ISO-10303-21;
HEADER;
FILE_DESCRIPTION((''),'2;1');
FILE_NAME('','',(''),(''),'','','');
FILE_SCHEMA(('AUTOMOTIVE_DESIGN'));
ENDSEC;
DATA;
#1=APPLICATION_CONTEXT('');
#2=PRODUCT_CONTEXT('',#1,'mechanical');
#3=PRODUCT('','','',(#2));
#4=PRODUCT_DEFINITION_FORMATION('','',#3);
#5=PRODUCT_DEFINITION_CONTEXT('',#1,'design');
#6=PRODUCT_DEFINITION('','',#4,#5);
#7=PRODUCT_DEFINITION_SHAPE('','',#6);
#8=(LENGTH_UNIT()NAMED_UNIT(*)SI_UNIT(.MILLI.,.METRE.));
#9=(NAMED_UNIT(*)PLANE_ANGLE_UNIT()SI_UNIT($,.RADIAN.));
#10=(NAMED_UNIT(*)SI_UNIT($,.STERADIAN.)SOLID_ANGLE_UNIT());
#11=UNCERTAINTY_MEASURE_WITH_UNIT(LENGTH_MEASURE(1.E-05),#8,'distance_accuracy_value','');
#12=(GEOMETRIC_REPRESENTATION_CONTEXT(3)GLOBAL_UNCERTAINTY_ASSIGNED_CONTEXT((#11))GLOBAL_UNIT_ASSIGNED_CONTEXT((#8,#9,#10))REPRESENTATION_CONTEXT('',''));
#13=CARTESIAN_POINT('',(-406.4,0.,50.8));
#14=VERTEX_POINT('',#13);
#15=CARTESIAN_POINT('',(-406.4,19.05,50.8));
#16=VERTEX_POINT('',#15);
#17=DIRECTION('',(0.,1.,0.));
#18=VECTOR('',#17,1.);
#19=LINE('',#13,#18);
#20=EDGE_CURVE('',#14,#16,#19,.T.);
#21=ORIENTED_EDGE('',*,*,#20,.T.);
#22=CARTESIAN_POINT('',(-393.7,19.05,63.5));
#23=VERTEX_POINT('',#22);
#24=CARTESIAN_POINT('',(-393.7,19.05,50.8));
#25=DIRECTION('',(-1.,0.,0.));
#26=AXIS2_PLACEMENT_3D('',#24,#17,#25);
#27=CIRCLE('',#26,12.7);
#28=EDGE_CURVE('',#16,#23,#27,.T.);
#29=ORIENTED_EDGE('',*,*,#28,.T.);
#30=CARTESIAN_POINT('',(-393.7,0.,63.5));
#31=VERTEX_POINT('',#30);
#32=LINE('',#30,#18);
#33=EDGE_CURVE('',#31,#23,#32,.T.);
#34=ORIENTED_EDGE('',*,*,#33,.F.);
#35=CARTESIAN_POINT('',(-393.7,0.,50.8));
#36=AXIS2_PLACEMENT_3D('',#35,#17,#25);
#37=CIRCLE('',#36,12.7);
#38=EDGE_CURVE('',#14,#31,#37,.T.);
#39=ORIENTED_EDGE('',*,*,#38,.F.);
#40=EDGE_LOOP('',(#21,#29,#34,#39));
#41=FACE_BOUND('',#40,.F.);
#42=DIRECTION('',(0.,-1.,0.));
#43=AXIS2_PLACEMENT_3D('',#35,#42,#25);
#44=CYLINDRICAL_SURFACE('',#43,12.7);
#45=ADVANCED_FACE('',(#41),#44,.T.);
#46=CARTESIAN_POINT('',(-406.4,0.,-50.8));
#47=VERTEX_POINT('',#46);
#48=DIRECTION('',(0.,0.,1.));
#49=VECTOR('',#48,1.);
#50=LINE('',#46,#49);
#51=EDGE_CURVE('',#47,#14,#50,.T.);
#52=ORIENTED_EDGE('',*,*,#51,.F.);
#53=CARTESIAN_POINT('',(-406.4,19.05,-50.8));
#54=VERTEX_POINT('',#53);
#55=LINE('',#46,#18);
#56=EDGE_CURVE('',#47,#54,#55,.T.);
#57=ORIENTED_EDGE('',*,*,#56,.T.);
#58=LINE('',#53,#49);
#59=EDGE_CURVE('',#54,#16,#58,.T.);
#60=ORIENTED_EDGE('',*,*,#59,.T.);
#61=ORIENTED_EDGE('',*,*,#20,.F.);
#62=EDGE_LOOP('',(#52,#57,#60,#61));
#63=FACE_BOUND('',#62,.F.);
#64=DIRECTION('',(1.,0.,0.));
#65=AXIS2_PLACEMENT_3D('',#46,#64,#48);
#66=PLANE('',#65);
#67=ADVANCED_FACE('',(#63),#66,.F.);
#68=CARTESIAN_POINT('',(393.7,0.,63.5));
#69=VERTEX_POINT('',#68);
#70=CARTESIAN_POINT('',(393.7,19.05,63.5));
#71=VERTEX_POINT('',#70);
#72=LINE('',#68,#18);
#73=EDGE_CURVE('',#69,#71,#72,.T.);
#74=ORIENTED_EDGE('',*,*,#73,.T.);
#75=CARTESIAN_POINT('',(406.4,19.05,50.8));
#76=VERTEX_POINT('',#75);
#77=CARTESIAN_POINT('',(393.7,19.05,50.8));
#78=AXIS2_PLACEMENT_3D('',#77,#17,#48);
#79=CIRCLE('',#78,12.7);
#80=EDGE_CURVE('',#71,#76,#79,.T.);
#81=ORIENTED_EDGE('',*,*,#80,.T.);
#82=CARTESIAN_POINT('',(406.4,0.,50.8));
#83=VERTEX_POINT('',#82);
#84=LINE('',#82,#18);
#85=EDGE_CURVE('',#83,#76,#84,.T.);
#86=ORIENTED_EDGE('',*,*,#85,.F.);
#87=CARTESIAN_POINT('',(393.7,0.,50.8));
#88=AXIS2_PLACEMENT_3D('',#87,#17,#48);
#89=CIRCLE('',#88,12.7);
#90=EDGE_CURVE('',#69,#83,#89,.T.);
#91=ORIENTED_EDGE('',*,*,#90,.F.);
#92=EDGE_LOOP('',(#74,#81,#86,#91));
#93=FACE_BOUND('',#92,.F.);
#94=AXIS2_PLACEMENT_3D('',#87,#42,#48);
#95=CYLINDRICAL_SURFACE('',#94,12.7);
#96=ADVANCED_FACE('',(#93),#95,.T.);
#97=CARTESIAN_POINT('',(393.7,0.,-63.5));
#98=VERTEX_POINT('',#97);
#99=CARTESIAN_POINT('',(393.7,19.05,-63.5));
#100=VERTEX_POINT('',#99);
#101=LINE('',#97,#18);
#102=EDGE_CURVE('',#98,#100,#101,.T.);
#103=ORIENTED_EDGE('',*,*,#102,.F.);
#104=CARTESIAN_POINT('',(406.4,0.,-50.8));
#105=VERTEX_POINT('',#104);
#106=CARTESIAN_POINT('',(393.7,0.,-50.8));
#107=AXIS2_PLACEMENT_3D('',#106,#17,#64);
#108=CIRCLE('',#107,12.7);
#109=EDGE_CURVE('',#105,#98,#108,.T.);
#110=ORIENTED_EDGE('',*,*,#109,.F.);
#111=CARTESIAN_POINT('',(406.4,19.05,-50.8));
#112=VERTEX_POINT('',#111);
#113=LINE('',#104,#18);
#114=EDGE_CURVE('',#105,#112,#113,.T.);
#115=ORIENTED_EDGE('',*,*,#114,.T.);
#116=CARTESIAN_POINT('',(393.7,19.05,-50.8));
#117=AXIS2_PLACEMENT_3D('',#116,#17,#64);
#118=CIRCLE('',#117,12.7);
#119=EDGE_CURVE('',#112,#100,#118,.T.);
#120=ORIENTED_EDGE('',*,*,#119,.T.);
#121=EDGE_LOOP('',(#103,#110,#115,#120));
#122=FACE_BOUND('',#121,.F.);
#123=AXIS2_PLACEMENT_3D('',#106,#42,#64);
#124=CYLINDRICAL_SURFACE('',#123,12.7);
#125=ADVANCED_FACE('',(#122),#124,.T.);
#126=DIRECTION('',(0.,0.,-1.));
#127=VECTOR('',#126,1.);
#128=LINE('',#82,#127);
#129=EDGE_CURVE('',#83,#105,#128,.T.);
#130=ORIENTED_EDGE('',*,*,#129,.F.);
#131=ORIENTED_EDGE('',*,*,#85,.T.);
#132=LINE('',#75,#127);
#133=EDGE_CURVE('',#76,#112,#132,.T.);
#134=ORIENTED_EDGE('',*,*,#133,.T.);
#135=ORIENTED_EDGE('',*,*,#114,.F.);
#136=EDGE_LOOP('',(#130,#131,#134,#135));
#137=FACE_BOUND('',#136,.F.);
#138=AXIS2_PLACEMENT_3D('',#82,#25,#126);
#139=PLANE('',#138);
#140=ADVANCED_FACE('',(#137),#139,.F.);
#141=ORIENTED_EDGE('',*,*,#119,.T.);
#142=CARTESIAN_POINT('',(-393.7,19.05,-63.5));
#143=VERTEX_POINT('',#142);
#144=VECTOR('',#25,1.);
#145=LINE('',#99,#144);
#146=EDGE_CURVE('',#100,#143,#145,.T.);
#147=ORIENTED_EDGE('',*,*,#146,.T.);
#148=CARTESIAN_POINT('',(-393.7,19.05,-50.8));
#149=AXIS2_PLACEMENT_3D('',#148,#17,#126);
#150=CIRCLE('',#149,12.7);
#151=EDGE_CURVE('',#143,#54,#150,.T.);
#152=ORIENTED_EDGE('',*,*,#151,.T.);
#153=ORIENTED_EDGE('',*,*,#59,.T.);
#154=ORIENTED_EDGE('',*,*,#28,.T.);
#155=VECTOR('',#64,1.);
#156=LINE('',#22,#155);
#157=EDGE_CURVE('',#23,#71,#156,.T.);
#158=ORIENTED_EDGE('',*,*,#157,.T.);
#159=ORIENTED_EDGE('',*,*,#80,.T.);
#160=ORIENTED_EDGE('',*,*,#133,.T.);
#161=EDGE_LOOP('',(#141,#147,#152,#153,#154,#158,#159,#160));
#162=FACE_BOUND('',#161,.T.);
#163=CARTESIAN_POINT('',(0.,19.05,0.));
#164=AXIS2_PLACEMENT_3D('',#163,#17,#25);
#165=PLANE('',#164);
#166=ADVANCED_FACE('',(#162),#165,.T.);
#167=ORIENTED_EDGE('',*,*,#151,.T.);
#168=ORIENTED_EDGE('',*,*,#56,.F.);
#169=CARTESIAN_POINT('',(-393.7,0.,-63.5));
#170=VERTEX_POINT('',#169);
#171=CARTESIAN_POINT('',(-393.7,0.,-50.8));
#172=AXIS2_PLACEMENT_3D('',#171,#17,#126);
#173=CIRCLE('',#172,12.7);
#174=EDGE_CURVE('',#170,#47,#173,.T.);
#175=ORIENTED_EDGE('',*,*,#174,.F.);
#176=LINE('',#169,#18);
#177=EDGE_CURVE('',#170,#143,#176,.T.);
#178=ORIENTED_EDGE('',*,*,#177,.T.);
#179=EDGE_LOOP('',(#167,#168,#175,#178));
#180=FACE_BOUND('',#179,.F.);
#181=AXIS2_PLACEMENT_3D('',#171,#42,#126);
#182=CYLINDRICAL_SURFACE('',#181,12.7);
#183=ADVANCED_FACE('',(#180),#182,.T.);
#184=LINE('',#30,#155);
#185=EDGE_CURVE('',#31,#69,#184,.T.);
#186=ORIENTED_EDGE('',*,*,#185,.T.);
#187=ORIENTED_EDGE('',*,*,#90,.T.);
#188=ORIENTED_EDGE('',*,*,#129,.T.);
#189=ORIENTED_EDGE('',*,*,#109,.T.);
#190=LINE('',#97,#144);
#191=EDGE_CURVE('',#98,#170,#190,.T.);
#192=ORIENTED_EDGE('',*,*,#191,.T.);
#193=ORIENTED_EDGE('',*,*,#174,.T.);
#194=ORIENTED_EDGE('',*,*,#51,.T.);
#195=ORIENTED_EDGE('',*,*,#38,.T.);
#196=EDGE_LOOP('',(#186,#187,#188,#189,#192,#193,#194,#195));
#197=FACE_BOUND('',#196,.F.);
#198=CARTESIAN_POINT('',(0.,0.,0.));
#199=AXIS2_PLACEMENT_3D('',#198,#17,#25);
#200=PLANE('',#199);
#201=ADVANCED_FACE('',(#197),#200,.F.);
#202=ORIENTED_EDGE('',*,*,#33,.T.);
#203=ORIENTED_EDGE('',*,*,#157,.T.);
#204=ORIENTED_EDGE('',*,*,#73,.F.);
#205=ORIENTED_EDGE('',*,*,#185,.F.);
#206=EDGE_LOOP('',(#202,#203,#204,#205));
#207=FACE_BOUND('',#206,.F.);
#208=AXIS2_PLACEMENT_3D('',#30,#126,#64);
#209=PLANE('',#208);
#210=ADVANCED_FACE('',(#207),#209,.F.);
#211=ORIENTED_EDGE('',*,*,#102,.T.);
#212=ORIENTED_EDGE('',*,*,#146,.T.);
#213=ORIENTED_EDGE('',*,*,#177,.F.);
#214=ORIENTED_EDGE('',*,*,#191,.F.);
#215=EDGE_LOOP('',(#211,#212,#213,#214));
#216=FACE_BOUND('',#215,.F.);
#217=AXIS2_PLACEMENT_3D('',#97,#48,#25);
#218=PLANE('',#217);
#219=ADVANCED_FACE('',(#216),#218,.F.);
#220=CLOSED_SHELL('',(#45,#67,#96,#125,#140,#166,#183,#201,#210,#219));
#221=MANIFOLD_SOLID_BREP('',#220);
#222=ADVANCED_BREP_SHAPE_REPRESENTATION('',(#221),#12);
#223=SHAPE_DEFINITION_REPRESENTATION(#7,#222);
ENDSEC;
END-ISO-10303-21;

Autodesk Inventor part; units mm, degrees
ref_plane "YZ Plane" through (0, 0, 0) normal (1, 0, 0) x (0, 1, 0)
ref_plane "XZ Plane" through (0, 0, 0) normal (0, 1, 0) x (-1, 0, 0)
ref_plane "XY Plane" through (0, 0, 0) normal (0, 0, 1) x (1, 0, 0)
sketch "Sketch1" plane through (0, 0, 0) normal (0, 1, 0) x (-1, 0, 0)
  line L0 (393.7, 63.5) -> (-393.7, 63.5)
  line L1 (-406.4, 50.8) -> (-406.4, -50.8)
  line L2 (-393.7, -63.5) -> (393.7, -63.5)
  line L3 (406.4, -50.8) -> (406.4, 50.8)
  line L4 (406.4, 63.5) -> (-406.4, -63.5) construction
  line L5 (-406.4, 63.5) -> (406.4, -63.5) construction
  arc A0 (393.7, -63.5) -> (406.4, -50.8) centre (393.7, -50.8) ccw
  arc A1 (406.4, 50.8) -> (393.7, 63.5) centre (393.7, 50.8) ccw
  arc A2 (-393.7, 63.5) -> (-406.4, 50.8) centre (-393.7, 50.8) ccw
  arc A3 (-406.4, -50.8) -> (-393.7, -63.5) centre (-393.7, -50.8) ccw
  point P0 (0, 0)
  dimension "d0" = 812.8
  dimension "d1" = 127
  dimension "d2" = 12.7
extrude "Extrusion1" add sketch "Sketch1" along normal blind 19.05
properties part number "BumperWoodLong"
